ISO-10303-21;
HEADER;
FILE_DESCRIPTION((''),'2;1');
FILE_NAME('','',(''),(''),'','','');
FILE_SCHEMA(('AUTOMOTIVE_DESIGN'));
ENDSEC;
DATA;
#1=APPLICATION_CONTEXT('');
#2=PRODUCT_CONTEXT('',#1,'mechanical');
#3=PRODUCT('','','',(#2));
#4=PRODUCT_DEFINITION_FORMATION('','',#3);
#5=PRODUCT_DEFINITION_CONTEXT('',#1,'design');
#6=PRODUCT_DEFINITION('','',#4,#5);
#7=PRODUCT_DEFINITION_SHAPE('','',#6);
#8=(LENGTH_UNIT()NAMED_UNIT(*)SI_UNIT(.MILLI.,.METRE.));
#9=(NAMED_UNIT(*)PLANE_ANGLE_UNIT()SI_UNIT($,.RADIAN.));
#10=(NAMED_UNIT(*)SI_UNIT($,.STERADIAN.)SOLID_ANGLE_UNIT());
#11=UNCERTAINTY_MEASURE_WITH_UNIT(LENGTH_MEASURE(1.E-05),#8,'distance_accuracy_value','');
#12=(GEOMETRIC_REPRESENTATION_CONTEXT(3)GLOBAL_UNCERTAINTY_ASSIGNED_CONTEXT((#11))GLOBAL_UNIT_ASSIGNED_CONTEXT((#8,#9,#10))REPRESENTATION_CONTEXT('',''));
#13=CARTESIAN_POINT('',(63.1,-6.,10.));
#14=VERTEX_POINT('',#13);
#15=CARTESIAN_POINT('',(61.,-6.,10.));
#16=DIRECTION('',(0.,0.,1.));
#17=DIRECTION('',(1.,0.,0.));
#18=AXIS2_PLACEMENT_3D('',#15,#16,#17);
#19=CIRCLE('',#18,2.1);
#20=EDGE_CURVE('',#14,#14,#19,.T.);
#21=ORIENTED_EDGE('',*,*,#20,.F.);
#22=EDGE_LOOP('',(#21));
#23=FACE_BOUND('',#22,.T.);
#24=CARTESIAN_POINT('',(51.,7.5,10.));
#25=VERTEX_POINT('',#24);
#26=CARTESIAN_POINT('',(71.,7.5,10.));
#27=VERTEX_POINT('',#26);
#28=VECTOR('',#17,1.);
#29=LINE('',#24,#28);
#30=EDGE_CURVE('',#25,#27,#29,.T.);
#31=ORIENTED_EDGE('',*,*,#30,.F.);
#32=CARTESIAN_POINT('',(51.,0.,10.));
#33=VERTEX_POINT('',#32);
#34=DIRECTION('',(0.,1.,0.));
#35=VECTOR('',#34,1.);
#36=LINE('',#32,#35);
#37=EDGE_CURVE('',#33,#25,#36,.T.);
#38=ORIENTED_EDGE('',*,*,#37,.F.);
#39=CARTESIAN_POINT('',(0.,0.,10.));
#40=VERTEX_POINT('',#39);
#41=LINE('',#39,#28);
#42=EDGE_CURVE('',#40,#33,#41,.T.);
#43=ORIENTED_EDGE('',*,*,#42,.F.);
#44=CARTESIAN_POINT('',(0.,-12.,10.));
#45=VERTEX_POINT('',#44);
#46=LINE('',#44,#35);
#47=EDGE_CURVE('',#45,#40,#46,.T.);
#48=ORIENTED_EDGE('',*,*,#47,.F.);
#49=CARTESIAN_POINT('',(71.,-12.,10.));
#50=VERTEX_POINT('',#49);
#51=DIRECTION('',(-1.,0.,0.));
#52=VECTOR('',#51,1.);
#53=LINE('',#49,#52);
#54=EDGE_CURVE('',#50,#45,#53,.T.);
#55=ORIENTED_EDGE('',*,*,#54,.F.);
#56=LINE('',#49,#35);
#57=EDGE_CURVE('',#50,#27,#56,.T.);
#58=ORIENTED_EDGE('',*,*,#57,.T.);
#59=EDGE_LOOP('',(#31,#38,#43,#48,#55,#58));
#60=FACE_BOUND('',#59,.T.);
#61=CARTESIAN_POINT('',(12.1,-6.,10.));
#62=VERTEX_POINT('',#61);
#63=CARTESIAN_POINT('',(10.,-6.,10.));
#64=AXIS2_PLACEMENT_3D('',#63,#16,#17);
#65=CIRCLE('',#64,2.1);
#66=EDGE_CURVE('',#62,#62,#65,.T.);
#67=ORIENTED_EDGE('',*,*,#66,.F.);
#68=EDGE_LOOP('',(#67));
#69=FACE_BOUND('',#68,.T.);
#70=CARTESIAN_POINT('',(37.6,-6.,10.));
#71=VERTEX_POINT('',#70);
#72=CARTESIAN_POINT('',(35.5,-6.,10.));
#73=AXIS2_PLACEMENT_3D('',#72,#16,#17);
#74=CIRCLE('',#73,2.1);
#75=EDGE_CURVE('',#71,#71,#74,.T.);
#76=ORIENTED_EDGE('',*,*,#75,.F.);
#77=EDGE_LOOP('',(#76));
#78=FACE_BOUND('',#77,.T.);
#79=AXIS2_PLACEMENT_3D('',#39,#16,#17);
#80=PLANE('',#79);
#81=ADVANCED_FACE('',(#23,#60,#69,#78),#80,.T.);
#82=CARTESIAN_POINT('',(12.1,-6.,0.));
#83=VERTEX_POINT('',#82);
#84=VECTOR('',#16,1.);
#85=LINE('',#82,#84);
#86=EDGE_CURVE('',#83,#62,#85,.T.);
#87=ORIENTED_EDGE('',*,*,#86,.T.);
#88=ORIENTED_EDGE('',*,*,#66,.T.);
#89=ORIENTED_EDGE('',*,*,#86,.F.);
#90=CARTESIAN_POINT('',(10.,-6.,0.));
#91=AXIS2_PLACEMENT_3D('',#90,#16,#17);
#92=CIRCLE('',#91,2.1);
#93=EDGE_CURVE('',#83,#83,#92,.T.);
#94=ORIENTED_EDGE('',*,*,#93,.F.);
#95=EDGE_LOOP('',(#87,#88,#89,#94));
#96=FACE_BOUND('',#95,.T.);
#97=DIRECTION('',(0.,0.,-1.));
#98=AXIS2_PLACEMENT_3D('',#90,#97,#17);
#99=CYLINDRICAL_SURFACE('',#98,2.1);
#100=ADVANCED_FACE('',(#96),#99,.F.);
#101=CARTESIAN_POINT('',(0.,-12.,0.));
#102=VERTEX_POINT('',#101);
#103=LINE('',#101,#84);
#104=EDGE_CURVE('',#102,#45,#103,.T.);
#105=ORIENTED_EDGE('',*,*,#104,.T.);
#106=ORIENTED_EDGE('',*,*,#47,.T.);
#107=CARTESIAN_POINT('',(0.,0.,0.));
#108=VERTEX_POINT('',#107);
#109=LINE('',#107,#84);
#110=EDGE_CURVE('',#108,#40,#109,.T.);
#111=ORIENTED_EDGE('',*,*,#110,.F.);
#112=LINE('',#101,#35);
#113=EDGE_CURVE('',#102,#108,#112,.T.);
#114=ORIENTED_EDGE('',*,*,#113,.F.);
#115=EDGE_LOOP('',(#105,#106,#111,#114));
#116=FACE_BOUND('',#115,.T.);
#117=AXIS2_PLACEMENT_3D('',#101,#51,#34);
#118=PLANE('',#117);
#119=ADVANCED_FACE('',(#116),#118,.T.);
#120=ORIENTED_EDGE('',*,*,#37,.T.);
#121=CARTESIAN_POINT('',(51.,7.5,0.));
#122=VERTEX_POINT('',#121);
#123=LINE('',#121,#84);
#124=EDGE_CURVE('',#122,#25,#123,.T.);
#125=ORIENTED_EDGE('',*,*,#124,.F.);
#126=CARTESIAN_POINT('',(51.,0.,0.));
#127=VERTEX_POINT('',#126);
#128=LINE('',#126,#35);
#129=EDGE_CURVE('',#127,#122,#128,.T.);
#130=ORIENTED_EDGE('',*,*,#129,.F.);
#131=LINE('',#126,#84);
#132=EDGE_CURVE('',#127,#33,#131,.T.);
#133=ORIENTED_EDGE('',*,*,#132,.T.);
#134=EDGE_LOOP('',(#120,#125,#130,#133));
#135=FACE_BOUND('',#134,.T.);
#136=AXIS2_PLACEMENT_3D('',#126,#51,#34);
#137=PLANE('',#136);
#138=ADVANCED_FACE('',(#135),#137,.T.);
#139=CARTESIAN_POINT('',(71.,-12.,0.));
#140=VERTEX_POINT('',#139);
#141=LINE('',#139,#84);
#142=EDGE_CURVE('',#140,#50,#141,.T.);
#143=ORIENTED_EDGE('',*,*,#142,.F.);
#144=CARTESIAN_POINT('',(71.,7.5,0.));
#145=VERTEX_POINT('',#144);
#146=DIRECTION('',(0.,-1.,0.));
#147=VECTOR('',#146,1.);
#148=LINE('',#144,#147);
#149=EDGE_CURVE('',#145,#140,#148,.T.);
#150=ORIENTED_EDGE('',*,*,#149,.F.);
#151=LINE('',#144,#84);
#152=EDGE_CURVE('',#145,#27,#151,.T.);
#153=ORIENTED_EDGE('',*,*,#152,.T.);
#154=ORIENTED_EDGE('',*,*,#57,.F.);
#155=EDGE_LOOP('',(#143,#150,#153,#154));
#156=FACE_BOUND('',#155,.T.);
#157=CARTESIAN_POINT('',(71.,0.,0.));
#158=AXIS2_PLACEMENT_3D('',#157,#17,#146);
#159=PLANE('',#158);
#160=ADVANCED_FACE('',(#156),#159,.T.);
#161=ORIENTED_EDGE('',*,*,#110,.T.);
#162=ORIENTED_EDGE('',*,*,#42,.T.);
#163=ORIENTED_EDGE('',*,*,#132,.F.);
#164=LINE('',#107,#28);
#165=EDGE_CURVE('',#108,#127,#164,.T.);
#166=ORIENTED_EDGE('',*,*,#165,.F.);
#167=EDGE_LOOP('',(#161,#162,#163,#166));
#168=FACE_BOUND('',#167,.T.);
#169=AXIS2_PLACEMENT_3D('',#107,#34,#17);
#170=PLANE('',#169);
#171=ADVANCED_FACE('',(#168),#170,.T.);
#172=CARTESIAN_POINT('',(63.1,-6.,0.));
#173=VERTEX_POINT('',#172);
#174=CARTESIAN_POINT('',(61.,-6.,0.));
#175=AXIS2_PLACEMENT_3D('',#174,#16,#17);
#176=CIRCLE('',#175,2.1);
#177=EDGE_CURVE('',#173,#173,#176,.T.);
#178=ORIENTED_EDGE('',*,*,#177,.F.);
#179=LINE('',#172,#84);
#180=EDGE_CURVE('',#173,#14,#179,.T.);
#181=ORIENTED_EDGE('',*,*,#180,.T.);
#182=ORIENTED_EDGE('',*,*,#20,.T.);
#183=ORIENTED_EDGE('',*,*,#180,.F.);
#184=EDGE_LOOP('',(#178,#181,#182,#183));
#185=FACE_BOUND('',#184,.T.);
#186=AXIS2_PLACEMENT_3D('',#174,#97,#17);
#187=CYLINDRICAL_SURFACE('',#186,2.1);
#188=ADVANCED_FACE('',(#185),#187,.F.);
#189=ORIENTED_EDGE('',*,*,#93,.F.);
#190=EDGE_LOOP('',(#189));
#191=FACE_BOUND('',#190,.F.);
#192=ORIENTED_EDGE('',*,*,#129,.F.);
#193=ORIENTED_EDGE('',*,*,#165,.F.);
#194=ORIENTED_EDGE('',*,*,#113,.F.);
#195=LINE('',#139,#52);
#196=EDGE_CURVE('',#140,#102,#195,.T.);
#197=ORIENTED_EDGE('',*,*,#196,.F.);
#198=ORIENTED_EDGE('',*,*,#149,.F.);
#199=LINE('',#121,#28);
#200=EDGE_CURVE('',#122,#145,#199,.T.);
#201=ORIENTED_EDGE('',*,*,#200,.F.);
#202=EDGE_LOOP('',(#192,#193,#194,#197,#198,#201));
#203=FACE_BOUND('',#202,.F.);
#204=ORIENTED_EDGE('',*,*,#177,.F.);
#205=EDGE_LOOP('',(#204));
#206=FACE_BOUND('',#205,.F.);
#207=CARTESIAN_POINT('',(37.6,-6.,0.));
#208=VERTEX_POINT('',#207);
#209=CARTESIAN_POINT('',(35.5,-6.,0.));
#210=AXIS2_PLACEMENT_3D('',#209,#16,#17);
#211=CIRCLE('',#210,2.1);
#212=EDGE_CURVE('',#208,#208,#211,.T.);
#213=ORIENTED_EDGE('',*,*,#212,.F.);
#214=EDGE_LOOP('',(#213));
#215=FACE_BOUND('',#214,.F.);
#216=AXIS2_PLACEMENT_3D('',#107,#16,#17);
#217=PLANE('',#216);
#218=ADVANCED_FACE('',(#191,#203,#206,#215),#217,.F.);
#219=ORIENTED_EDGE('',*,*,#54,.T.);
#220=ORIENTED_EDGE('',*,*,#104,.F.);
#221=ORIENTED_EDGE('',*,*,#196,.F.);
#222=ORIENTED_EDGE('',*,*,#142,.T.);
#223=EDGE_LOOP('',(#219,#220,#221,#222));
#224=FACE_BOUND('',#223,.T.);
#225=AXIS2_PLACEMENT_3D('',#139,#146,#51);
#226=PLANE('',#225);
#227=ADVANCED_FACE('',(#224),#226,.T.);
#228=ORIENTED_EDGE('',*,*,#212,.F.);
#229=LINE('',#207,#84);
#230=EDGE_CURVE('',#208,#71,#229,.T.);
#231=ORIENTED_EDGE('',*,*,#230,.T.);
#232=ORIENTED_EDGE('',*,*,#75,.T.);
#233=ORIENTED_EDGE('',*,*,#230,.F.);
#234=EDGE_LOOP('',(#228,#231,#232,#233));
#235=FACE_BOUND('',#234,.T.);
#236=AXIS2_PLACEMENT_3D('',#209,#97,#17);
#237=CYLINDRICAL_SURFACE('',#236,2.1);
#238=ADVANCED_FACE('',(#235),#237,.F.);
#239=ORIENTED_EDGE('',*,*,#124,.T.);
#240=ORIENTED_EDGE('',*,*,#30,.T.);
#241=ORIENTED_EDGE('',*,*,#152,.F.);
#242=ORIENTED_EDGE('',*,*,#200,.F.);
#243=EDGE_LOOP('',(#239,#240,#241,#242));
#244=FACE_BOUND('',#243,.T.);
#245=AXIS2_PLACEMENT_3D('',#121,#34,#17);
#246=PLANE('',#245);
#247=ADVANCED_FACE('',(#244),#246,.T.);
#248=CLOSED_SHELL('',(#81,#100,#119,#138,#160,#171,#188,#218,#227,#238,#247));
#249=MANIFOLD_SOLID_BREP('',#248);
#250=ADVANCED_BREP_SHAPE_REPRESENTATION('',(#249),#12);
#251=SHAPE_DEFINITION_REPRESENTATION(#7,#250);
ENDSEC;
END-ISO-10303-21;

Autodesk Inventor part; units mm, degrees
ref_plane "YZ Plane" through (0, 0, 0) normal (1, 0, 0) x (0, 1, 0)
ref_plane "XZ Plane" through (0, 0, 0) normal (0, 1, 0) x (-1, 0, 0)
ref_plane "XY Plane" through (0, 0, 0) normal (0, 0, 1) x (1, 0, 0)
sketch "Sketch1" plane through (0, 0, 0) normal (0, 0, 1) x (1, 0, 0)
  line L0 (0, 0) -> (71, 0)
  line L1 (71, 0) -> (71, -12)
  line L2 (71, -12) -> (0, -12)
  line L3 (0, -12) -> (0, 0)
  circle A0 centre (10, -6) radius 2.1
  circle A1 centre (35.5, -6) radius 2.1
  circle A2 centre (61, -6) radius 2.1
  line L4 (71, 0) -> (51, 0)
  line L5 (51, 0) -> (51, 7.5)
  line L6 (51, 7.5) -> (71, 7.5)
  line L7 (71, 7.5) -> (71, 0)
  point P0 (0, -6)
  point P1 (71, -6)
  point P2 (35.5, 0)
  dimension "d0" = 71
  dimension "d1" = 12
  dimension "d2" = 10
  dimension "d3" = 6
  dimension "d4" = 10
  dimension "d5" = 6
  dimension "d6" = 6
  dimension "d7" = 35.5
  dimension "d8" = 4.2
  dimension "d9" = 4.2
  dimension "d10" = 4.2
  dimension "d11" = 20
  dimension "d12" = 7.5
extrude "Extrusion1" add sketch "Sketch1" along normal blind 10
equation "\"d3\" = 0.5 * d1"
equation "\"d4\" = d2"
equation "\"d5\" = d3"
equation "\"d6\" = d3"
equation "\"d7\" = 0.5 * d0"
equation "\"d9\" = d8"
equation "\"d10\" = d8"
properties part number "Touchscreen mount v01"
